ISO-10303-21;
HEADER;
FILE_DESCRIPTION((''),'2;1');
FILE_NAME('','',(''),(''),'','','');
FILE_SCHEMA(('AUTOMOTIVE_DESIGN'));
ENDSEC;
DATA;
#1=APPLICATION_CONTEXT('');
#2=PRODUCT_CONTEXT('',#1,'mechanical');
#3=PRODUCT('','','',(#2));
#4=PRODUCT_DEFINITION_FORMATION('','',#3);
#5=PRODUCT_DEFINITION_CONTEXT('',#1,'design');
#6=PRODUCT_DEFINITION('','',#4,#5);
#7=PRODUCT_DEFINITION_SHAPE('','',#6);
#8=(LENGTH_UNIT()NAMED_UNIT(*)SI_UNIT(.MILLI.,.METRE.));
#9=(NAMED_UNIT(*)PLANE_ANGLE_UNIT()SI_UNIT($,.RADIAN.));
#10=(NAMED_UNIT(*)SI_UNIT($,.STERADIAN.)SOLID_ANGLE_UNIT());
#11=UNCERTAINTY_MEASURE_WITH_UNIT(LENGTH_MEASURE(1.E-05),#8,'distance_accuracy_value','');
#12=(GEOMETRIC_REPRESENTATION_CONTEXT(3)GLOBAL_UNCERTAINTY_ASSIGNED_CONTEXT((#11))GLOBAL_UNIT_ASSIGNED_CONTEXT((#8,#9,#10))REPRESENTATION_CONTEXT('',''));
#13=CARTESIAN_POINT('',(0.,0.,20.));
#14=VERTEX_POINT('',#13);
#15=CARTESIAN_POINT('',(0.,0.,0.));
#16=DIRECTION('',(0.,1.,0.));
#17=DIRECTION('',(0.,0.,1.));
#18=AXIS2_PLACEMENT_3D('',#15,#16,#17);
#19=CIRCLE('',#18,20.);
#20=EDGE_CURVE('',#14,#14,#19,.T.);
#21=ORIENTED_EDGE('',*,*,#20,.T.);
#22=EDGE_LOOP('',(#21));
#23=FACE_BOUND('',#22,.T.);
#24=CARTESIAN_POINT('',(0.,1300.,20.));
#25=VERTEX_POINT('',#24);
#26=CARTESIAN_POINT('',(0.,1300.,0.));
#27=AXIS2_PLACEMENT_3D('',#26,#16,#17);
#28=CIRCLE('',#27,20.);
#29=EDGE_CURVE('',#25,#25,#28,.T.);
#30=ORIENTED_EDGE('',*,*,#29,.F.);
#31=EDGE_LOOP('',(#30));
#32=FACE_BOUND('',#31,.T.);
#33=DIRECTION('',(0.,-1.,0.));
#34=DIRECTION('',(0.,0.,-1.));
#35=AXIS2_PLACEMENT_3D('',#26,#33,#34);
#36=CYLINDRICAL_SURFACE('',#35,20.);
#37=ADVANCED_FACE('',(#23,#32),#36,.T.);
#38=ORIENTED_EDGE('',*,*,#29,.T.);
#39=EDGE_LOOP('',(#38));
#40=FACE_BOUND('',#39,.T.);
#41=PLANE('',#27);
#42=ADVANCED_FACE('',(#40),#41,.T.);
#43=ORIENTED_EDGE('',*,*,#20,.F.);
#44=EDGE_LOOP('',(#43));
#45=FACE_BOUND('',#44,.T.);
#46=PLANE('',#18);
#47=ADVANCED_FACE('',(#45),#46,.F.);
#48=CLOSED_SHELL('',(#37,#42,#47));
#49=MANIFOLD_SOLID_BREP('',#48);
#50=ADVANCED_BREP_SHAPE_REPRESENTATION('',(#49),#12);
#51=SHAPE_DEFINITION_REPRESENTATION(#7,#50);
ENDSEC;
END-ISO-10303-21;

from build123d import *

# Parameters (mm, degrees)
ESQUISSE1_R        = 20
BOSS_EXTRU_1_DEPTH = 1300


with BuildPart() as part:
    # Esquisse1 → Boss.-Extru.1 (new body)
    with BuildSketch(Plane(origin=(0, 0, 0), x_dir=(1, 0, 0), z_dir=(0, 1, 0))):
        with Locations(Location((0, 0, 0), (0, 0, 270))):
            Circle(ESQUISSE1_R)
    extrude(amount=BOSS_EXTRU_1_DEPTH)


solid = part.part
